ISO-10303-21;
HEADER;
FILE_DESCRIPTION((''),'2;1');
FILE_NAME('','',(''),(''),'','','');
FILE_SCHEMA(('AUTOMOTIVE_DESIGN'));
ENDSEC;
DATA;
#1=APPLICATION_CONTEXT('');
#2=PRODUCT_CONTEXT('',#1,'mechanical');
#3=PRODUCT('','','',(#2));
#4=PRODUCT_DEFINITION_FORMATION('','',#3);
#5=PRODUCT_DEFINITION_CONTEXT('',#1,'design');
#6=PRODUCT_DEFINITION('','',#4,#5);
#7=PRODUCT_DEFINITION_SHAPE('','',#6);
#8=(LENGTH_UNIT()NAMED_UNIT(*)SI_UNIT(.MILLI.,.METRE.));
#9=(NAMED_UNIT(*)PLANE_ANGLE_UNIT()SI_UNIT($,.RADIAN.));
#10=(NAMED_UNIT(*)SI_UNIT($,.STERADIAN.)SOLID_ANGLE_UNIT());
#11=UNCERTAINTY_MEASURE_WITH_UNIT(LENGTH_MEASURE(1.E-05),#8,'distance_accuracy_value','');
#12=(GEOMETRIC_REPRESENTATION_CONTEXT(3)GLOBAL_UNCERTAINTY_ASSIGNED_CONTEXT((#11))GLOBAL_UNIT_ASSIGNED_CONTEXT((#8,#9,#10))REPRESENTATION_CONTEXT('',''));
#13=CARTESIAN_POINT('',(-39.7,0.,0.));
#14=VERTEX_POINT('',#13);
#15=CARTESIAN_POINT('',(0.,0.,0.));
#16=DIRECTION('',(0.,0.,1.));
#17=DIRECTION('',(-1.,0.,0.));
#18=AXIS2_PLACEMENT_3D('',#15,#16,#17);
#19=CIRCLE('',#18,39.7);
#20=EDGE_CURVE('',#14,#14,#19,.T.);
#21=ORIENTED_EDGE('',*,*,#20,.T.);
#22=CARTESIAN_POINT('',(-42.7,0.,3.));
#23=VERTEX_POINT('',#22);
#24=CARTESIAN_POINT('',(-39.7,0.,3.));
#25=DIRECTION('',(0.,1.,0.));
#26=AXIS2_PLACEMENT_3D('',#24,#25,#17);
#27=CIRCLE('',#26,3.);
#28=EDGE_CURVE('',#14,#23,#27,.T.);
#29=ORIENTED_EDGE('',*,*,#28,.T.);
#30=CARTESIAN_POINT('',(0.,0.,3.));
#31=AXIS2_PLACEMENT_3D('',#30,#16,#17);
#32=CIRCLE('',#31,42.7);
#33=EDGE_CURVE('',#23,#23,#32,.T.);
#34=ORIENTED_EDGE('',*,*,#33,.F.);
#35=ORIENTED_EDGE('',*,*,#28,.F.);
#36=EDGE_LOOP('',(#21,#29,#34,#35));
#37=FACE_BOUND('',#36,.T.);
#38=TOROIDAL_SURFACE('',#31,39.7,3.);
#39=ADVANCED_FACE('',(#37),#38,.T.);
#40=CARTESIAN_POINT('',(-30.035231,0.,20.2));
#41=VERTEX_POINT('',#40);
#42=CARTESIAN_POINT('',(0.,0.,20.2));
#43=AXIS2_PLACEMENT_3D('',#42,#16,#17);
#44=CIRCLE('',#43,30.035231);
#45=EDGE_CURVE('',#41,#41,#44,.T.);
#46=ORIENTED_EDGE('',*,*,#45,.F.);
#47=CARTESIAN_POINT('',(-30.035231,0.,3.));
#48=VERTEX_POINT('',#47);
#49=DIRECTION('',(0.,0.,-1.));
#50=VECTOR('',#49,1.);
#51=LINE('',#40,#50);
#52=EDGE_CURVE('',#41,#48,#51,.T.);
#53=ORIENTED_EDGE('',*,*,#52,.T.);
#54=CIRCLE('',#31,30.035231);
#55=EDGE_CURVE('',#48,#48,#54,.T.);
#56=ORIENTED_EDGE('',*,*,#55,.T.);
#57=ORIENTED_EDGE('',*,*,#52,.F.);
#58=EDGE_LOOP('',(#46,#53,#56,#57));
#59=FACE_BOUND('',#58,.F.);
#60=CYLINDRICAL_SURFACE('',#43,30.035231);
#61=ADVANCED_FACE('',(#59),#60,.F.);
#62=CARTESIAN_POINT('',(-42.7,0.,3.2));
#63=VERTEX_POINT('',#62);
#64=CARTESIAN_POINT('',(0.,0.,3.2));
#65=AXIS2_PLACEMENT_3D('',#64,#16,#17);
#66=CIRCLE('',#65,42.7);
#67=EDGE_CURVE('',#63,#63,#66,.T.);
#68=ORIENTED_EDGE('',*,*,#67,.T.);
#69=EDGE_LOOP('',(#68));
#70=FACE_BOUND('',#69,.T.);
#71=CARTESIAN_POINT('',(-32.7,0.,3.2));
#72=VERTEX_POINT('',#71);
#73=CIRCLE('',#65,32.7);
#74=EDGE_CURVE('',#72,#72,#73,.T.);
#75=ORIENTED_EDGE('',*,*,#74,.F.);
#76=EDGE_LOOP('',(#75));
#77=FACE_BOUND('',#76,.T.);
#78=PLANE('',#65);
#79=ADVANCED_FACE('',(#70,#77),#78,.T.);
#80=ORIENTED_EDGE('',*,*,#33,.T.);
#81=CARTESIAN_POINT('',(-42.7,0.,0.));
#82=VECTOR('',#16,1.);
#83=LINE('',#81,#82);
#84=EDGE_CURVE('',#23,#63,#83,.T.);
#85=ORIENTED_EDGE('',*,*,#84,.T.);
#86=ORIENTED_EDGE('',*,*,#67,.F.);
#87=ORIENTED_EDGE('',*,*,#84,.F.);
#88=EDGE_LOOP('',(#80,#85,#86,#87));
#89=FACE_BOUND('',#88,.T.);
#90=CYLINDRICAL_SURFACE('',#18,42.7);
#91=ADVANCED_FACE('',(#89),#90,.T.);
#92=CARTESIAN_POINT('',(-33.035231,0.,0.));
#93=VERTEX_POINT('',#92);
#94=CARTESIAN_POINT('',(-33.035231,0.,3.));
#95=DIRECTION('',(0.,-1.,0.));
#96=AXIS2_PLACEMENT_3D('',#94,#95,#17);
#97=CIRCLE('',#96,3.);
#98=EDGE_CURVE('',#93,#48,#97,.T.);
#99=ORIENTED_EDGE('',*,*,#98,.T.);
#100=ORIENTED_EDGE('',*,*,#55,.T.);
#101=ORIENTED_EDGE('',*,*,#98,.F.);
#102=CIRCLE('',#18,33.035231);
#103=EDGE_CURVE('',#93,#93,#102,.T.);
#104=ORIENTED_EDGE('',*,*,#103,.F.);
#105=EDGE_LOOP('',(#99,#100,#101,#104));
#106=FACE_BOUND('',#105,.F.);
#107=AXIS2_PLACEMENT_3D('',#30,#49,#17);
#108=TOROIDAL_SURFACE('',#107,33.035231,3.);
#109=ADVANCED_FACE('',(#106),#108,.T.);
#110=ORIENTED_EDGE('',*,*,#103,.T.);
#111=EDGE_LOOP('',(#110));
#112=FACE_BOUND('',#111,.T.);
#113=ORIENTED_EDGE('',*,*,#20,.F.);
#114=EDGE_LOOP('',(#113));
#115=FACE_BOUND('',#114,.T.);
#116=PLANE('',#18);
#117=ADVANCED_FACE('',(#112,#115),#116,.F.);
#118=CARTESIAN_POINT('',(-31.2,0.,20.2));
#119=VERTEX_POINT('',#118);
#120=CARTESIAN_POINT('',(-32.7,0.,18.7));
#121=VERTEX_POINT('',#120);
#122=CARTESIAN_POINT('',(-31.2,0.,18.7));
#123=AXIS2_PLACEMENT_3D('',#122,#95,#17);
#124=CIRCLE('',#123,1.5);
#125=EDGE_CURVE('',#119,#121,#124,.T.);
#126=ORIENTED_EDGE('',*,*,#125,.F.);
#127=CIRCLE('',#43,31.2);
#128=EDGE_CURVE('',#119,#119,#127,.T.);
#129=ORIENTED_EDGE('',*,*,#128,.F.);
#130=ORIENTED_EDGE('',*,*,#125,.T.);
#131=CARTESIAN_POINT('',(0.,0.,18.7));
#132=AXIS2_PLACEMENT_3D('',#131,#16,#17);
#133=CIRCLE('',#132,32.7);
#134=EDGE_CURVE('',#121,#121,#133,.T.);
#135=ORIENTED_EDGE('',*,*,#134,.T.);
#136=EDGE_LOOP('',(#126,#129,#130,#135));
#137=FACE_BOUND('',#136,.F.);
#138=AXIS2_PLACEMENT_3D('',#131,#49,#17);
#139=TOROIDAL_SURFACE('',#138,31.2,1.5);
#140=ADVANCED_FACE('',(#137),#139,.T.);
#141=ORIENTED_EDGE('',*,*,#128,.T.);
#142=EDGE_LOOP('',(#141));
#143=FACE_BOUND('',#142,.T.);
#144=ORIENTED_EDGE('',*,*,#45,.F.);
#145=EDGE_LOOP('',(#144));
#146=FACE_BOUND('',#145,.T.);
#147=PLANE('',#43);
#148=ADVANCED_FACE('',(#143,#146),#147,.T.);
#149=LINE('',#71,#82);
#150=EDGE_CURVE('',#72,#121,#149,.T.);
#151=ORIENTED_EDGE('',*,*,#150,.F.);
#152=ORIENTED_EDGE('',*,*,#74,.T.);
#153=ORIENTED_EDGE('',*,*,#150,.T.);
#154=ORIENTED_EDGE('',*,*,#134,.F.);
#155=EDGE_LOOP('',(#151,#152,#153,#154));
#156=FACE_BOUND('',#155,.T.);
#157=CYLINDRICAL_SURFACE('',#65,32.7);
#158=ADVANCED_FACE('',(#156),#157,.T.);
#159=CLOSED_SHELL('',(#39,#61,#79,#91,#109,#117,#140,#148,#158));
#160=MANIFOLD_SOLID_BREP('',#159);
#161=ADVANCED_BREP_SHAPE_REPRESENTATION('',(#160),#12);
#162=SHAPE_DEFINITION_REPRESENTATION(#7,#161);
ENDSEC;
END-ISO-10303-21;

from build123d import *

# Parameters (mm, degrees)
SKETCH002_R  = 30.035231
POCKET_DEPTH = 24
FILLET_R     = 3
FILLET001_R  = 3
FILLET002_R  = 1.5


with BuildPart() as part:
    # Sketch001 → Revolution (revolve)
    with BuildSketch(Plane.XZ):
        Polygon((-42.7, 0), (-42.7, 3.2), (-32.7, 3.2), (-32.7, 20.2), (0, 20.2), (0, 0), align=None)
    revolve(axis=Axis((0, 0, 0), (0, 0, 1)))

    # Sketch002 (on Face4 of Revolution) → Pocket (cut)
    with BuildSketch(Plane(origin=(0, 0, 20.2), x_dir=(-1, 0, 0), z_dir=(0, 0, 1))):
        Circle(SKETCH002_R)
    extrude(amount=-POCKET_DEPTH, mode=Mode.SUBTRACT)

    # Fillet
    fillet_edges = [part.edges().sort_by_distance(p)[0] for p in [
        (30.035231, 0, 0),
    ]]
    fillet(fillet_edges, radius=FILLET_R)

    # Fillet001
    fillet001_edges = [part.edges().sort_by_distance(p)[0] for p in [
        (42.7, 0, 0),
    ]]
    fillet(fillet001_edges, radius=FILLET001_R)

    # Fillet002
    fillet002_edges = [part.edges().sort_by_distance(p)[0] for p in [
        (32.7, 0, 20.2),
    ]]
    fillet(fillet002_edges, radius=FILLET002_R)


solid = part.part
